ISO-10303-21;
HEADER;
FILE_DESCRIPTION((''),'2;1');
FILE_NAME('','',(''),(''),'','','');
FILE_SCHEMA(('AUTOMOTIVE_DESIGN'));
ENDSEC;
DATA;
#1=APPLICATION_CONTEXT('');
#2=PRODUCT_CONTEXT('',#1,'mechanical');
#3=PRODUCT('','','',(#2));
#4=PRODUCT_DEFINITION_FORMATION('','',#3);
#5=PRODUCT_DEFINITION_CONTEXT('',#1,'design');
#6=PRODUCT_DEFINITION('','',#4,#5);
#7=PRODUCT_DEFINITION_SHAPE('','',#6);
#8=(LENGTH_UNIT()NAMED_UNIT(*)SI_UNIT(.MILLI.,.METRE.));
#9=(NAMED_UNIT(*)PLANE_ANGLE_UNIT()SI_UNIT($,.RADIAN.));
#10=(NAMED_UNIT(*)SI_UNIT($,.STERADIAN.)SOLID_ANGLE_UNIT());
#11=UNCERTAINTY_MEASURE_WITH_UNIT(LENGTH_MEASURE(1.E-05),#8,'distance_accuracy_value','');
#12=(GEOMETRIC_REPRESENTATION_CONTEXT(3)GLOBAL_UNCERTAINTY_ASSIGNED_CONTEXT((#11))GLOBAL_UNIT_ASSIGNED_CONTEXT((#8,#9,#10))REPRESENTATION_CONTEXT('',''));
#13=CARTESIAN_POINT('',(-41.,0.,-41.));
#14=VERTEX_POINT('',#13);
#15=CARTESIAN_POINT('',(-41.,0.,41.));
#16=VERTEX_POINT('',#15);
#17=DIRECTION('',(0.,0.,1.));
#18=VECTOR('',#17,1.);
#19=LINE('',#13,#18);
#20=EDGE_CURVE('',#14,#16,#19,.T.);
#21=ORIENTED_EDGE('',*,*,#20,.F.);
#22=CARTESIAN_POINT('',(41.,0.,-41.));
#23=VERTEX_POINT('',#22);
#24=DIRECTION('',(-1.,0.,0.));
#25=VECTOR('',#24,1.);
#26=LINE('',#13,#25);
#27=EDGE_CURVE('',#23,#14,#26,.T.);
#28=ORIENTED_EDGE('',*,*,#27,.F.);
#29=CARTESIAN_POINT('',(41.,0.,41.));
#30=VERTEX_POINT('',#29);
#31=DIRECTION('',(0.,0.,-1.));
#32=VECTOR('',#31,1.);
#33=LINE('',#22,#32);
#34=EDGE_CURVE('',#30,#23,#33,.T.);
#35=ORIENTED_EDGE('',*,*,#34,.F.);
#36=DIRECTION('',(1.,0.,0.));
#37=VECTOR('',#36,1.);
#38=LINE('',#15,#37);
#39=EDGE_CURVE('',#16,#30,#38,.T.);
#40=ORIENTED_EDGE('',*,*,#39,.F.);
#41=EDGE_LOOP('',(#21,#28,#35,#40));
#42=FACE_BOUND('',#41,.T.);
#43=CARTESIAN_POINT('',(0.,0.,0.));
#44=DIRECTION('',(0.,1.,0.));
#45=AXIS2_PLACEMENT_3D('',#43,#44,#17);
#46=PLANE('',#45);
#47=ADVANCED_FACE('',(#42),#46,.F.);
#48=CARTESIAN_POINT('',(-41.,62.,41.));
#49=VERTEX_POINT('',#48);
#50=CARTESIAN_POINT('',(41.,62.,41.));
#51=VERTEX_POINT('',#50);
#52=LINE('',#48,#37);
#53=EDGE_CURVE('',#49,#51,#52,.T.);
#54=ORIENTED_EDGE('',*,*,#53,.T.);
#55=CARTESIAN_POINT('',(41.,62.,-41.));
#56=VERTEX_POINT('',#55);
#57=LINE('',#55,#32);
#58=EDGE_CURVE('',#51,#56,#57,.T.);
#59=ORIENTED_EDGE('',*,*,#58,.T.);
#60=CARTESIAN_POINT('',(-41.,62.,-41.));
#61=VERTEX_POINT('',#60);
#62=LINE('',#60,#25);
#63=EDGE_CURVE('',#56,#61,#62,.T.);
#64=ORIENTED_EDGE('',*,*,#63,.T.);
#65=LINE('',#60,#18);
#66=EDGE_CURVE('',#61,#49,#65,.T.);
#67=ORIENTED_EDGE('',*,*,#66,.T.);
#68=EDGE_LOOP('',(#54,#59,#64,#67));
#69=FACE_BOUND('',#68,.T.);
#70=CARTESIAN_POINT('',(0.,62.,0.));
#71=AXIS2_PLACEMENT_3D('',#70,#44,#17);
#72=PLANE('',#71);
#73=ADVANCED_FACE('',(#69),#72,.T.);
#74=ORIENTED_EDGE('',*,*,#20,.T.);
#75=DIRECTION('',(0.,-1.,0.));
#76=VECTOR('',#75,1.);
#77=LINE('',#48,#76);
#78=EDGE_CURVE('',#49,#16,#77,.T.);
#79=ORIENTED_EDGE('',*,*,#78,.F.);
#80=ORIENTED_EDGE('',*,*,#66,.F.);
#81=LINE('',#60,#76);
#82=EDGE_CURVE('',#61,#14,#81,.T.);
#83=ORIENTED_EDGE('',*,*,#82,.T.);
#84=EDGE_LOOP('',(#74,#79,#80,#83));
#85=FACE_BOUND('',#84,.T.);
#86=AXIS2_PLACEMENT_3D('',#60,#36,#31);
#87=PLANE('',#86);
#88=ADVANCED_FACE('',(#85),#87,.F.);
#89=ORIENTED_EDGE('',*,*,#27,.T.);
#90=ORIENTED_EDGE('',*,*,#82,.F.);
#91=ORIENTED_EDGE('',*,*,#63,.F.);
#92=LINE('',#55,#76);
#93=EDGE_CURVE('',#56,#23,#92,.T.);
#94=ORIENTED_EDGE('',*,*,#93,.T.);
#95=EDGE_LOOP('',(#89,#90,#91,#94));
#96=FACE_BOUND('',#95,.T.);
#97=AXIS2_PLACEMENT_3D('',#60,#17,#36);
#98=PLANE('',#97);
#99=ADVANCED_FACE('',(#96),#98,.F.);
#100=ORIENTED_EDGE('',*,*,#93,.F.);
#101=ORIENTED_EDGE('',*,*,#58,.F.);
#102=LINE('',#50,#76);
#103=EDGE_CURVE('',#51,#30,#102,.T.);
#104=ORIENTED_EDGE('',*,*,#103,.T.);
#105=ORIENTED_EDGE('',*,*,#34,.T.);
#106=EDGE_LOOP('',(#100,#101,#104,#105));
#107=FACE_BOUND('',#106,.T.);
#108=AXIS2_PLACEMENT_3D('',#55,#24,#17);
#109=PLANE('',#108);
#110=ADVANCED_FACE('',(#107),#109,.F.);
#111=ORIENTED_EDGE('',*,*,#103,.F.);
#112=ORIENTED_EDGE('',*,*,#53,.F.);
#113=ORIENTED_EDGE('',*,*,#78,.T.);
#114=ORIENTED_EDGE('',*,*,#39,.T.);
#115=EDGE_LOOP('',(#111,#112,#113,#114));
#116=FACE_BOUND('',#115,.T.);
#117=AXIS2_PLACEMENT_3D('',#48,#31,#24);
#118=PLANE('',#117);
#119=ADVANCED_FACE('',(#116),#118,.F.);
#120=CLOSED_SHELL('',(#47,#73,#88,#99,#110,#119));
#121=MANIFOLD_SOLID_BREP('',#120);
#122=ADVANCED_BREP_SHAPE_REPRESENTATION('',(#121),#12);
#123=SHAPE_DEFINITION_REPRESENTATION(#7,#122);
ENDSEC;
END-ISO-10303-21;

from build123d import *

# Parameters (mm, degrees)
SKETCH_1_W      = 82
SKETCH_1_H      = 82
EXTRUDE_1_DEPTH = 62


with BuildPart() as part:
    # 스케치1 → 보스-돌출1 (new body)
    with BuildSketch(Plane(origin=(0, 0, 0), x_dir=(1, 0, 0), z_dir=(0, 1, 0))):
        Rectangle(SKETCH_1_W, SKETCH_1_H)
    extrude(amount=EXTRUDE_1_DEPTH)


solid = part.part
